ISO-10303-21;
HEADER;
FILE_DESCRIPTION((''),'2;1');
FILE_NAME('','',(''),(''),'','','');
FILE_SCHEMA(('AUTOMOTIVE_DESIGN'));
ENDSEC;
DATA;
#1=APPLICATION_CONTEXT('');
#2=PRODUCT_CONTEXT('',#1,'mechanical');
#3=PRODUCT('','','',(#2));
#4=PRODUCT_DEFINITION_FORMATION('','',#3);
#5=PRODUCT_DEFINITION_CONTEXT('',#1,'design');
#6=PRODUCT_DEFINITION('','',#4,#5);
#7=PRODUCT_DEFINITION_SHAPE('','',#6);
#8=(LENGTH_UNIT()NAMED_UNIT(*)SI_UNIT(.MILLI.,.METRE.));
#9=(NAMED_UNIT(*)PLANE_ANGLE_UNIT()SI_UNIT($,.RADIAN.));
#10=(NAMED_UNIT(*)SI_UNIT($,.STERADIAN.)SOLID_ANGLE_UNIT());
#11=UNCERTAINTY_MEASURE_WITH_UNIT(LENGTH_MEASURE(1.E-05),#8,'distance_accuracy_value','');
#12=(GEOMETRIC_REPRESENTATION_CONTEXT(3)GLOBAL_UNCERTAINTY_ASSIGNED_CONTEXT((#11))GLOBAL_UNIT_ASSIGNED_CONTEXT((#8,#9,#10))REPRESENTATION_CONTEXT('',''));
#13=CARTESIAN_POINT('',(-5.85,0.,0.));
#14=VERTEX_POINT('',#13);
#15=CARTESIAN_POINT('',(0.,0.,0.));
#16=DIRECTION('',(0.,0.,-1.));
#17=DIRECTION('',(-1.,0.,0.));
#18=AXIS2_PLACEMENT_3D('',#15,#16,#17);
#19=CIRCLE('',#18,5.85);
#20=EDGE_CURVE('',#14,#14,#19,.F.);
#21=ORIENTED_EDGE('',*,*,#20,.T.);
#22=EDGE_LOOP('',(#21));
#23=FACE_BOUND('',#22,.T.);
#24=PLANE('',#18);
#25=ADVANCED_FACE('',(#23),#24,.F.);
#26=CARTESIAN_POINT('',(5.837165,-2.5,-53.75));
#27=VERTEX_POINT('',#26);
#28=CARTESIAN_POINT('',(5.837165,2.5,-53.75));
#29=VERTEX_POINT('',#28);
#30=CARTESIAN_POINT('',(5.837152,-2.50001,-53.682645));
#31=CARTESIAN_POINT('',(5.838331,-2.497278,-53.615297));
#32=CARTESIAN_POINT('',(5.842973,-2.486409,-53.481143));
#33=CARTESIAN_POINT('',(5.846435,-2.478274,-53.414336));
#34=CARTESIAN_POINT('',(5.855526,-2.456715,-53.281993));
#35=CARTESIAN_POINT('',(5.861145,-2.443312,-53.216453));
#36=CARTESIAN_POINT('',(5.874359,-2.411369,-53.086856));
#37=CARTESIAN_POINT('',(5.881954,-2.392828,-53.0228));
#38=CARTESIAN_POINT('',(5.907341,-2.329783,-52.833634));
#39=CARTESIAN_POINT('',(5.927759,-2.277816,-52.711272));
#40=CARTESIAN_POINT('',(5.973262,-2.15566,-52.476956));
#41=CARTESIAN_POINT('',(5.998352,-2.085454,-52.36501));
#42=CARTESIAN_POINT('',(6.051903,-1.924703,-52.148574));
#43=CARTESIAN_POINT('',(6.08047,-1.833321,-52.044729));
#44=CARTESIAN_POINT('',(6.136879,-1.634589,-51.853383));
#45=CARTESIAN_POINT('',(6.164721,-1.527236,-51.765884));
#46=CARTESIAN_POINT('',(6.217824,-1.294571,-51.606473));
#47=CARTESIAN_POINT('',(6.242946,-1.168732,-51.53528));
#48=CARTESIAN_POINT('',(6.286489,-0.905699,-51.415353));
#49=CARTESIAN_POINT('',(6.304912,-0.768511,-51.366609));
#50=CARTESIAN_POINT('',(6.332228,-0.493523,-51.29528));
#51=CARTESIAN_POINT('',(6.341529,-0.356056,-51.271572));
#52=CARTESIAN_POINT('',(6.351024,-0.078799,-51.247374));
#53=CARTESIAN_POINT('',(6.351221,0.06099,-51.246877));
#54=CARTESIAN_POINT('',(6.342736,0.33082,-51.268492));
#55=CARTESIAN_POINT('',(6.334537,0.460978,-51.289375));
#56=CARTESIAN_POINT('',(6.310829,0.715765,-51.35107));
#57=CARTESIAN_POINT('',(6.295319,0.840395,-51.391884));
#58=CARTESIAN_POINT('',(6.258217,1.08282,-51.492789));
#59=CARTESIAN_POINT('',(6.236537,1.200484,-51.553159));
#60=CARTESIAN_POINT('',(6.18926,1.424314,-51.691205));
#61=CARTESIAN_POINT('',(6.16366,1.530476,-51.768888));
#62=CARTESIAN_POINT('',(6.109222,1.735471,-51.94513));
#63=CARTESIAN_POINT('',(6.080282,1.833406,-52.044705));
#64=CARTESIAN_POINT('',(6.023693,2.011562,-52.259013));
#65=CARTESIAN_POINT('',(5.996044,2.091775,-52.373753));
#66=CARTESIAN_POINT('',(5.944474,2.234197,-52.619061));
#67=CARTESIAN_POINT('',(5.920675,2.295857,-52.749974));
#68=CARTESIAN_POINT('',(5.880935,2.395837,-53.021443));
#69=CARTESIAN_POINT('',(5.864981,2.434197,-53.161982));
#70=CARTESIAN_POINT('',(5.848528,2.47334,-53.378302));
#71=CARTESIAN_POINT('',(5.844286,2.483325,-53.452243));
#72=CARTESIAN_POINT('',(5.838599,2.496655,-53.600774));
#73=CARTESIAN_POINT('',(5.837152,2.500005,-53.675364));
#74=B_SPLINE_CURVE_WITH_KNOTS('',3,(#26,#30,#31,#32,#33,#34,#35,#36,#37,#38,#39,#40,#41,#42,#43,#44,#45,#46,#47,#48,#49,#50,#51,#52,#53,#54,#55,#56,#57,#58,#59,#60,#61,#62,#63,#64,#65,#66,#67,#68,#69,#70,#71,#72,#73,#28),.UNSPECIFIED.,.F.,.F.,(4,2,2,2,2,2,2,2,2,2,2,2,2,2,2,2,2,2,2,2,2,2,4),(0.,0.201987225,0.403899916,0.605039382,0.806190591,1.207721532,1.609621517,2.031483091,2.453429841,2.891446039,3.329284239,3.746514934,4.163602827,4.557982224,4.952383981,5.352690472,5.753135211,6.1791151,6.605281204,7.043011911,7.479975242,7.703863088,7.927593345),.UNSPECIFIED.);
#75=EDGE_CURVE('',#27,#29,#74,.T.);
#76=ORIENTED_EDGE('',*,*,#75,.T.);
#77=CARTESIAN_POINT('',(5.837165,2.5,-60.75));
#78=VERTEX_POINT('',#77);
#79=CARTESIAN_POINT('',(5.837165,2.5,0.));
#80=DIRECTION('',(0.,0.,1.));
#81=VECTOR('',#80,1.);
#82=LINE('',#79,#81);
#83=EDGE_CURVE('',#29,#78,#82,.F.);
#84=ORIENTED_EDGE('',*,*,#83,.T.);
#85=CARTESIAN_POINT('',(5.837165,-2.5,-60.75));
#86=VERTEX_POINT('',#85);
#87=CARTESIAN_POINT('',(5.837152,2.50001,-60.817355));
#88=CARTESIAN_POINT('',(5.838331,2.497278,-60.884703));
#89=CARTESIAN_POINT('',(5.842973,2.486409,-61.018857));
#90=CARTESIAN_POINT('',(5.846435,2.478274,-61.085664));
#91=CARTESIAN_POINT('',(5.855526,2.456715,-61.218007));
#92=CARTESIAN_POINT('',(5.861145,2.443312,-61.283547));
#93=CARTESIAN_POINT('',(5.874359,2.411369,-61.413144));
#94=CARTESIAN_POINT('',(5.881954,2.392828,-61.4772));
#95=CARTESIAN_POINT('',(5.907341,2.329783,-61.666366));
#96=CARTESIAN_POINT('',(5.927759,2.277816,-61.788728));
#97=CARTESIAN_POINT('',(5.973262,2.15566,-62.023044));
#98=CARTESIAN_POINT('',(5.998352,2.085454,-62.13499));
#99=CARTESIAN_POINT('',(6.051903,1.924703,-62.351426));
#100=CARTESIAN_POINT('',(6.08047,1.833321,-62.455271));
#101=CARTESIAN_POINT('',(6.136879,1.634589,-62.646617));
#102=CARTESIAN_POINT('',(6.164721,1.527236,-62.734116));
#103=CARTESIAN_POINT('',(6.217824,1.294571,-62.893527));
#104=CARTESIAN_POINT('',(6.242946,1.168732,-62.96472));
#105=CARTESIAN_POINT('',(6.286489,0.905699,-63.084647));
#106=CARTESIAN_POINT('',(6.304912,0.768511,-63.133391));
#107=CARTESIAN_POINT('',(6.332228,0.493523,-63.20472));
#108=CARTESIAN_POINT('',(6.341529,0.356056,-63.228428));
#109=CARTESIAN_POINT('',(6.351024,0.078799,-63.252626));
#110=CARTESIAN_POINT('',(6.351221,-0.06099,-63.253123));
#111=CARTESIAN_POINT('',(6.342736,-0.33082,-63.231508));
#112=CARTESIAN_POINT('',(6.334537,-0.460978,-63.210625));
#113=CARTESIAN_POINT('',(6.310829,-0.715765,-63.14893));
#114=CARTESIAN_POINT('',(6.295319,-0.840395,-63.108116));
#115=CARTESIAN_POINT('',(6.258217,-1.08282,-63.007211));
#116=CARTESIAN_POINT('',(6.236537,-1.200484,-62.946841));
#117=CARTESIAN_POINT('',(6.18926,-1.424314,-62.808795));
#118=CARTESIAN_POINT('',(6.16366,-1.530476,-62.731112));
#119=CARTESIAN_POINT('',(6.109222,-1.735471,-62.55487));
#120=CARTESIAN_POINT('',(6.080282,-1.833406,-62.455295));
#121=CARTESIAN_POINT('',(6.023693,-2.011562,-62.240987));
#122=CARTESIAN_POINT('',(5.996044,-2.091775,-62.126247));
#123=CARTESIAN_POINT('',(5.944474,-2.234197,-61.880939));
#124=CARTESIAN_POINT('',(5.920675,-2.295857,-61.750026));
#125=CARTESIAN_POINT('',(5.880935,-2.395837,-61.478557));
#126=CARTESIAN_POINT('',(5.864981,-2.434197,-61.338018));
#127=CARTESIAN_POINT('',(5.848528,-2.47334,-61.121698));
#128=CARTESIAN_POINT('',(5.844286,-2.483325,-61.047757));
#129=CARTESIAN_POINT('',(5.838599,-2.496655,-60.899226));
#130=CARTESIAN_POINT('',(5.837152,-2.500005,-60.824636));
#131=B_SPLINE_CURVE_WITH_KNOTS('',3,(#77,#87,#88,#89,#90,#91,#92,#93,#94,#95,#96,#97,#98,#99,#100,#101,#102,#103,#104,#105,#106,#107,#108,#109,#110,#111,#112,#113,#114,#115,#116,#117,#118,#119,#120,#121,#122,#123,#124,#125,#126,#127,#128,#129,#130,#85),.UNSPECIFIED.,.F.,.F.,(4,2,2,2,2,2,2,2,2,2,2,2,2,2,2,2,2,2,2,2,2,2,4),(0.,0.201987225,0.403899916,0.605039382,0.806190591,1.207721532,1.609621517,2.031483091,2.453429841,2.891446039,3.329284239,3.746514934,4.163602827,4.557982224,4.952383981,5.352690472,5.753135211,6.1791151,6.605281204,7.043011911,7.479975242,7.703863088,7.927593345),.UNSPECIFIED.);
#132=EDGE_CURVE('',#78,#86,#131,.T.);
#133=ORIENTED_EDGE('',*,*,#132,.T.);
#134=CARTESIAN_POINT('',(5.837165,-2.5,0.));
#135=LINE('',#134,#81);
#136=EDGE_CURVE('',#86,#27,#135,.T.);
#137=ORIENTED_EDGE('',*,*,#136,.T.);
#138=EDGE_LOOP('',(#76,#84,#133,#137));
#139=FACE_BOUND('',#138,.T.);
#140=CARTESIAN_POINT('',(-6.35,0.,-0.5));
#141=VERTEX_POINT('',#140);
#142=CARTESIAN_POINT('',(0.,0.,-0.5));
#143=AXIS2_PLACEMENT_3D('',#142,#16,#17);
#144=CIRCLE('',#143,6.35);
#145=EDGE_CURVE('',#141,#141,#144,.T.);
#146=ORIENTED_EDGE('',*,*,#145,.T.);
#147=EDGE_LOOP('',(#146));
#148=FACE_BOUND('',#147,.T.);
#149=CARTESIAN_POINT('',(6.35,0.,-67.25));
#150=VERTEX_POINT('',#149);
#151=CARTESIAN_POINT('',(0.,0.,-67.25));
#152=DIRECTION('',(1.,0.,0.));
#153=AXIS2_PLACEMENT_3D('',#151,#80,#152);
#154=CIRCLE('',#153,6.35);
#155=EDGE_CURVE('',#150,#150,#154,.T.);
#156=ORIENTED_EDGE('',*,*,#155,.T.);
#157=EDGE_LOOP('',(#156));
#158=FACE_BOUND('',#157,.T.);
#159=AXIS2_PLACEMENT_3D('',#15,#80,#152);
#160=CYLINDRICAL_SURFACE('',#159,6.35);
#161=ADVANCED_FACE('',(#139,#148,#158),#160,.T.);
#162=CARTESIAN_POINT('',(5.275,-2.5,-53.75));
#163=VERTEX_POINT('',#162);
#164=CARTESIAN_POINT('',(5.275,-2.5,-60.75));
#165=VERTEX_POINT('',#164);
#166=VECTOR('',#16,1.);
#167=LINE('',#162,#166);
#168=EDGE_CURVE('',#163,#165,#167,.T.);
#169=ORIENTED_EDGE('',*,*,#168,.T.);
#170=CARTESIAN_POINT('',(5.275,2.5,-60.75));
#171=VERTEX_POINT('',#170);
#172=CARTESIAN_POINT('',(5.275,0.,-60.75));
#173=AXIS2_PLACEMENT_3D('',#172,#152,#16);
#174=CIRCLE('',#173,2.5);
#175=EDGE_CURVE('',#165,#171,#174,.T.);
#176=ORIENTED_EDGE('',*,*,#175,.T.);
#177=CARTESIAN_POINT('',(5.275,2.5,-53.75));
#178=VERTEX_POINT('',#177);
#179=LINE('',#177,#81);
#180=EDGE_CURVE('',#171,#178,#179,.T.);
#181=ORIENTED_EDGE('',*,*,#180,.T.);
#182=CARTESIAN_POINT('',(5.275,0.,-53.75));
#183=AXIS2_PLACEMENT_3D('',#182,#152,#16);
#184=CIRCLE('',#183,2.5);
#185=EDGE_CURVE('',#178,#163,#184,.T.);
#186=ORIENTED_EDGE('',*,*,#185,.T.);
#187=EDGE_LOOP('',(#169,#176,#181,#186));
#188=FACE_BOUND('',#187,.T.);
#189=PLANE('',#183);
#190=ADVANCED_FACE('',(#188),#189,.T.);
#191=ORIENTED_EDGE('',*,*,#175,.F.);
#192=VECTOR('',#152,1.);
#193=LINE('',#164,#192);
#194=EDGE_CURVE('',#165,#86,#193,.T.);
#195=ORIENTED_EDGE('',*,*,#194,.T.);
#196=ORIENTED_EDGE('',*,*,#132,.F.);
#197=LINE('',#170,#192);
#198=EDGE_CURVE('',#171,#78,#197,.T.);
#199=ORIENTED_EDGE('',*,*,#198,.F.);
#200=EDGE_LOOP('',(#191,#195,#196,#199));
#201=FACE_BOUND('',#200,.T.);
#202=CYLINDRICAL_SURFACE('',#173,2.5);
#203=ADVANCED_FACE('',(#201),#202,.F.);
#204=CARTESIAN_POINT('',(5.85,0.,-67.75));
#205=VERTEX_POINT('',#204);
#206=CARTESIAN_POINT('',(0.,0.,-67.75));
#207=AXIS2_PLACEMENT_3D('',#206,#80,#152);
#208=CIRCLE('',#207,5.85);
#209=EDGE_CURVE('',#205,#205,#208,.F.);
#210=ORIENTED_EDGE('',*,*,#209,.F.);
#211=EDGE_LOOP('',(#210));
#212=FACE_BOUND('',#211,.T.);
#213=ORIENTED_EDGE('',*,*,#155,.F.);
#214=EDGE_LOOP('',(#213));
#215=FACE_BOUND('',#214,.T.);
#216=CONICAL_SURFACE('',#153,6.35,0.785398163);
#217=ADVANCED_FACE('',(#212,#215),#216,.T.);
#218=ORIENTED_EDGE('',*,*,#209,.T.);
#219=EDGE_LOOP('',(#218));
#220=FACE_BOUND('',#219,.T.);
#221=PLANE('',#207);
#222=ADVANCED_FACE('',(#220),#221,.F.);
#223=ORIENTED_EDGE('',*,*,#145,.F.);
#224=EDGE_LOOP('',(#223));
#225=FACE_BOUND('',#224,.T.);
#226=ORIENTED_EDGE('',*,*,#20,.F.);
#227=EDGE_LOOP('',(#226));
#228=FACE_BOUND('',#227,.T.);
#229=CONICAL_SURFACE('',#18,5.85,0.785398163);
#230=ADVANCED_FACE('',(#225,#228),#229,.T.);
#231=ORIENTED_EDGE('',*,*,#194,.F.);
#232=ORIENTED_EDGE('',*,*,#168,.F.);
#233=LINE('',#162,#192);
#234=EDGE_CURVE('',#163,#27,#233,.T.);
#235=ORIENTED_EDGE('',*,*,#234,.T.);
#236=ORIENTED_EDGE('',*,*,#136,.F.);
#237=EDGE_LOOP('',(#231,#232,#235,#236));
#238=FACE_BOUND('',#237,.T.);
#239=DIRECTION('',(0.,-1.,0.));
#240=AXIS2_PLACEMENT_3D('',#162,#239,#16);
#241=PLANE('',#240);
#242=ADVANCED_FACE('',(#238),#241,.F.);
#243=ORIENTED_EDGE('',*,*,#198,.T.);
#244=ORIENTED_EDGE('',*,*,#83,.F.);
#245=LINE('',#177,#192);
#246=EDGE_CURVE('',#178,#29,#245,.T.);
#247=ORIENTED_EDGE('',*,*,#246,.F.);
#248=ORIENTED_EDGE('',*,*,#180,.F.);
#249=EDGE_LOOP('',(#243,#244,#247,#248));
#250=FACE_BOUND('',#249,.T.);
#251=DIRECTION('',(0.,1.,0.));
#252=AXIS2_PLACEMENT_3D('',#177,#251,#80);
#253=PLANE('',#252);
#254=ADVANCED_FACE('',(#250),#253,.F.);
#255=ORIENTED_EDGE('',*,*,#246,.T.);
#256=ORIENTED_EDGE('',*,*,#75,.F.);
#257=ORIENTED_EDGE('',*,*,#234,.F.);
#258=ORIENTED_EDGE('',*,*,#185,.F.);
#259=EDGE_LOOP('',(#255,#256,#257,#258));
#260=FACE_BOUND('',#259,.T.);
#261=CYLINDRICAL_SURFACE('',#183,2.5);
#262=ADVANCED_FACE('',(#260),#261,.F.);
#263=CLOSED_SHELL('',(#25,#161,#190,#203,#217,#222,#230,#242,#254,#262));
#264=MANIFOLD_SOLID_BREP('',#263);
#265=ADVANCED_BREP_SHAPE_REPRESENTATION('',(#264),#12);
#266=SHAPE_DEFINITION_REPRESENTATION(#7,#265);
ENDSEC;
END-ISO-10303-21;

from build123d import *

# Parameters (mm, degrees)
SKETCH_1_W          = 67.75
SKETCH_1_H          = 6.35
CHAMFER_1_SIZE      = 0.5
CUT_EXTRUDE_1_DEPTH = 1.075


with BuildPart() as part:
    # Эскиз1 → Повернуть1 (revolve)
    with BuildSketch(Plane(origin=(0, 0, 0), x_dir=(0, 0, -1), z_dir=(1, 0, 0)), mode=Mode.PRIVATE) as revolve_1_sk:
        with Locations((33.875, 3.175)):
            Rectangle(SKETCH_1_W, SKETCH_1_H)
    revolve(revolve_1_sk.sketch.rotate(Axis((0, 0, 0), (0, 0, -1)), 90), axis=Axis((0, 0, 0), (0, 0, -1)))

    # Фаска1
    chamfer_1_edges = [part.edges().sort_by_distance(p)[0] for p in [
        (-6.35, 0, 0),
        (-6.35, 0, -67.75),
    ]]
    chamfer(chamfer_1_edges, length=CHAMFER_1_SIZE)

    # Эскиз2 → Вырез-Вытянуть1 (cut)
    with BuildSketch(Plane(origin=(6.35, 0, 0), x_dir=(0, 0, -1), z_dir=(1, 0, 0))):
        with BuildLine():
            Line((53.75, 2.5), (60.75, 2.5))
            ThreePointArc((60.75, 2.5), (63.25, 0), (60.75, -2.5))
            Line((60.75, -2.5), (53.75, -2.5))
            ThreePointArc((53.75, -2.5), (51.25, 0), (53.75, 2.5))
        make_face()
    extrude(amount=-CUT_EXTRUDE_1_DEPTH, mode=Mode.SUBTRACT)


solid = part.part
